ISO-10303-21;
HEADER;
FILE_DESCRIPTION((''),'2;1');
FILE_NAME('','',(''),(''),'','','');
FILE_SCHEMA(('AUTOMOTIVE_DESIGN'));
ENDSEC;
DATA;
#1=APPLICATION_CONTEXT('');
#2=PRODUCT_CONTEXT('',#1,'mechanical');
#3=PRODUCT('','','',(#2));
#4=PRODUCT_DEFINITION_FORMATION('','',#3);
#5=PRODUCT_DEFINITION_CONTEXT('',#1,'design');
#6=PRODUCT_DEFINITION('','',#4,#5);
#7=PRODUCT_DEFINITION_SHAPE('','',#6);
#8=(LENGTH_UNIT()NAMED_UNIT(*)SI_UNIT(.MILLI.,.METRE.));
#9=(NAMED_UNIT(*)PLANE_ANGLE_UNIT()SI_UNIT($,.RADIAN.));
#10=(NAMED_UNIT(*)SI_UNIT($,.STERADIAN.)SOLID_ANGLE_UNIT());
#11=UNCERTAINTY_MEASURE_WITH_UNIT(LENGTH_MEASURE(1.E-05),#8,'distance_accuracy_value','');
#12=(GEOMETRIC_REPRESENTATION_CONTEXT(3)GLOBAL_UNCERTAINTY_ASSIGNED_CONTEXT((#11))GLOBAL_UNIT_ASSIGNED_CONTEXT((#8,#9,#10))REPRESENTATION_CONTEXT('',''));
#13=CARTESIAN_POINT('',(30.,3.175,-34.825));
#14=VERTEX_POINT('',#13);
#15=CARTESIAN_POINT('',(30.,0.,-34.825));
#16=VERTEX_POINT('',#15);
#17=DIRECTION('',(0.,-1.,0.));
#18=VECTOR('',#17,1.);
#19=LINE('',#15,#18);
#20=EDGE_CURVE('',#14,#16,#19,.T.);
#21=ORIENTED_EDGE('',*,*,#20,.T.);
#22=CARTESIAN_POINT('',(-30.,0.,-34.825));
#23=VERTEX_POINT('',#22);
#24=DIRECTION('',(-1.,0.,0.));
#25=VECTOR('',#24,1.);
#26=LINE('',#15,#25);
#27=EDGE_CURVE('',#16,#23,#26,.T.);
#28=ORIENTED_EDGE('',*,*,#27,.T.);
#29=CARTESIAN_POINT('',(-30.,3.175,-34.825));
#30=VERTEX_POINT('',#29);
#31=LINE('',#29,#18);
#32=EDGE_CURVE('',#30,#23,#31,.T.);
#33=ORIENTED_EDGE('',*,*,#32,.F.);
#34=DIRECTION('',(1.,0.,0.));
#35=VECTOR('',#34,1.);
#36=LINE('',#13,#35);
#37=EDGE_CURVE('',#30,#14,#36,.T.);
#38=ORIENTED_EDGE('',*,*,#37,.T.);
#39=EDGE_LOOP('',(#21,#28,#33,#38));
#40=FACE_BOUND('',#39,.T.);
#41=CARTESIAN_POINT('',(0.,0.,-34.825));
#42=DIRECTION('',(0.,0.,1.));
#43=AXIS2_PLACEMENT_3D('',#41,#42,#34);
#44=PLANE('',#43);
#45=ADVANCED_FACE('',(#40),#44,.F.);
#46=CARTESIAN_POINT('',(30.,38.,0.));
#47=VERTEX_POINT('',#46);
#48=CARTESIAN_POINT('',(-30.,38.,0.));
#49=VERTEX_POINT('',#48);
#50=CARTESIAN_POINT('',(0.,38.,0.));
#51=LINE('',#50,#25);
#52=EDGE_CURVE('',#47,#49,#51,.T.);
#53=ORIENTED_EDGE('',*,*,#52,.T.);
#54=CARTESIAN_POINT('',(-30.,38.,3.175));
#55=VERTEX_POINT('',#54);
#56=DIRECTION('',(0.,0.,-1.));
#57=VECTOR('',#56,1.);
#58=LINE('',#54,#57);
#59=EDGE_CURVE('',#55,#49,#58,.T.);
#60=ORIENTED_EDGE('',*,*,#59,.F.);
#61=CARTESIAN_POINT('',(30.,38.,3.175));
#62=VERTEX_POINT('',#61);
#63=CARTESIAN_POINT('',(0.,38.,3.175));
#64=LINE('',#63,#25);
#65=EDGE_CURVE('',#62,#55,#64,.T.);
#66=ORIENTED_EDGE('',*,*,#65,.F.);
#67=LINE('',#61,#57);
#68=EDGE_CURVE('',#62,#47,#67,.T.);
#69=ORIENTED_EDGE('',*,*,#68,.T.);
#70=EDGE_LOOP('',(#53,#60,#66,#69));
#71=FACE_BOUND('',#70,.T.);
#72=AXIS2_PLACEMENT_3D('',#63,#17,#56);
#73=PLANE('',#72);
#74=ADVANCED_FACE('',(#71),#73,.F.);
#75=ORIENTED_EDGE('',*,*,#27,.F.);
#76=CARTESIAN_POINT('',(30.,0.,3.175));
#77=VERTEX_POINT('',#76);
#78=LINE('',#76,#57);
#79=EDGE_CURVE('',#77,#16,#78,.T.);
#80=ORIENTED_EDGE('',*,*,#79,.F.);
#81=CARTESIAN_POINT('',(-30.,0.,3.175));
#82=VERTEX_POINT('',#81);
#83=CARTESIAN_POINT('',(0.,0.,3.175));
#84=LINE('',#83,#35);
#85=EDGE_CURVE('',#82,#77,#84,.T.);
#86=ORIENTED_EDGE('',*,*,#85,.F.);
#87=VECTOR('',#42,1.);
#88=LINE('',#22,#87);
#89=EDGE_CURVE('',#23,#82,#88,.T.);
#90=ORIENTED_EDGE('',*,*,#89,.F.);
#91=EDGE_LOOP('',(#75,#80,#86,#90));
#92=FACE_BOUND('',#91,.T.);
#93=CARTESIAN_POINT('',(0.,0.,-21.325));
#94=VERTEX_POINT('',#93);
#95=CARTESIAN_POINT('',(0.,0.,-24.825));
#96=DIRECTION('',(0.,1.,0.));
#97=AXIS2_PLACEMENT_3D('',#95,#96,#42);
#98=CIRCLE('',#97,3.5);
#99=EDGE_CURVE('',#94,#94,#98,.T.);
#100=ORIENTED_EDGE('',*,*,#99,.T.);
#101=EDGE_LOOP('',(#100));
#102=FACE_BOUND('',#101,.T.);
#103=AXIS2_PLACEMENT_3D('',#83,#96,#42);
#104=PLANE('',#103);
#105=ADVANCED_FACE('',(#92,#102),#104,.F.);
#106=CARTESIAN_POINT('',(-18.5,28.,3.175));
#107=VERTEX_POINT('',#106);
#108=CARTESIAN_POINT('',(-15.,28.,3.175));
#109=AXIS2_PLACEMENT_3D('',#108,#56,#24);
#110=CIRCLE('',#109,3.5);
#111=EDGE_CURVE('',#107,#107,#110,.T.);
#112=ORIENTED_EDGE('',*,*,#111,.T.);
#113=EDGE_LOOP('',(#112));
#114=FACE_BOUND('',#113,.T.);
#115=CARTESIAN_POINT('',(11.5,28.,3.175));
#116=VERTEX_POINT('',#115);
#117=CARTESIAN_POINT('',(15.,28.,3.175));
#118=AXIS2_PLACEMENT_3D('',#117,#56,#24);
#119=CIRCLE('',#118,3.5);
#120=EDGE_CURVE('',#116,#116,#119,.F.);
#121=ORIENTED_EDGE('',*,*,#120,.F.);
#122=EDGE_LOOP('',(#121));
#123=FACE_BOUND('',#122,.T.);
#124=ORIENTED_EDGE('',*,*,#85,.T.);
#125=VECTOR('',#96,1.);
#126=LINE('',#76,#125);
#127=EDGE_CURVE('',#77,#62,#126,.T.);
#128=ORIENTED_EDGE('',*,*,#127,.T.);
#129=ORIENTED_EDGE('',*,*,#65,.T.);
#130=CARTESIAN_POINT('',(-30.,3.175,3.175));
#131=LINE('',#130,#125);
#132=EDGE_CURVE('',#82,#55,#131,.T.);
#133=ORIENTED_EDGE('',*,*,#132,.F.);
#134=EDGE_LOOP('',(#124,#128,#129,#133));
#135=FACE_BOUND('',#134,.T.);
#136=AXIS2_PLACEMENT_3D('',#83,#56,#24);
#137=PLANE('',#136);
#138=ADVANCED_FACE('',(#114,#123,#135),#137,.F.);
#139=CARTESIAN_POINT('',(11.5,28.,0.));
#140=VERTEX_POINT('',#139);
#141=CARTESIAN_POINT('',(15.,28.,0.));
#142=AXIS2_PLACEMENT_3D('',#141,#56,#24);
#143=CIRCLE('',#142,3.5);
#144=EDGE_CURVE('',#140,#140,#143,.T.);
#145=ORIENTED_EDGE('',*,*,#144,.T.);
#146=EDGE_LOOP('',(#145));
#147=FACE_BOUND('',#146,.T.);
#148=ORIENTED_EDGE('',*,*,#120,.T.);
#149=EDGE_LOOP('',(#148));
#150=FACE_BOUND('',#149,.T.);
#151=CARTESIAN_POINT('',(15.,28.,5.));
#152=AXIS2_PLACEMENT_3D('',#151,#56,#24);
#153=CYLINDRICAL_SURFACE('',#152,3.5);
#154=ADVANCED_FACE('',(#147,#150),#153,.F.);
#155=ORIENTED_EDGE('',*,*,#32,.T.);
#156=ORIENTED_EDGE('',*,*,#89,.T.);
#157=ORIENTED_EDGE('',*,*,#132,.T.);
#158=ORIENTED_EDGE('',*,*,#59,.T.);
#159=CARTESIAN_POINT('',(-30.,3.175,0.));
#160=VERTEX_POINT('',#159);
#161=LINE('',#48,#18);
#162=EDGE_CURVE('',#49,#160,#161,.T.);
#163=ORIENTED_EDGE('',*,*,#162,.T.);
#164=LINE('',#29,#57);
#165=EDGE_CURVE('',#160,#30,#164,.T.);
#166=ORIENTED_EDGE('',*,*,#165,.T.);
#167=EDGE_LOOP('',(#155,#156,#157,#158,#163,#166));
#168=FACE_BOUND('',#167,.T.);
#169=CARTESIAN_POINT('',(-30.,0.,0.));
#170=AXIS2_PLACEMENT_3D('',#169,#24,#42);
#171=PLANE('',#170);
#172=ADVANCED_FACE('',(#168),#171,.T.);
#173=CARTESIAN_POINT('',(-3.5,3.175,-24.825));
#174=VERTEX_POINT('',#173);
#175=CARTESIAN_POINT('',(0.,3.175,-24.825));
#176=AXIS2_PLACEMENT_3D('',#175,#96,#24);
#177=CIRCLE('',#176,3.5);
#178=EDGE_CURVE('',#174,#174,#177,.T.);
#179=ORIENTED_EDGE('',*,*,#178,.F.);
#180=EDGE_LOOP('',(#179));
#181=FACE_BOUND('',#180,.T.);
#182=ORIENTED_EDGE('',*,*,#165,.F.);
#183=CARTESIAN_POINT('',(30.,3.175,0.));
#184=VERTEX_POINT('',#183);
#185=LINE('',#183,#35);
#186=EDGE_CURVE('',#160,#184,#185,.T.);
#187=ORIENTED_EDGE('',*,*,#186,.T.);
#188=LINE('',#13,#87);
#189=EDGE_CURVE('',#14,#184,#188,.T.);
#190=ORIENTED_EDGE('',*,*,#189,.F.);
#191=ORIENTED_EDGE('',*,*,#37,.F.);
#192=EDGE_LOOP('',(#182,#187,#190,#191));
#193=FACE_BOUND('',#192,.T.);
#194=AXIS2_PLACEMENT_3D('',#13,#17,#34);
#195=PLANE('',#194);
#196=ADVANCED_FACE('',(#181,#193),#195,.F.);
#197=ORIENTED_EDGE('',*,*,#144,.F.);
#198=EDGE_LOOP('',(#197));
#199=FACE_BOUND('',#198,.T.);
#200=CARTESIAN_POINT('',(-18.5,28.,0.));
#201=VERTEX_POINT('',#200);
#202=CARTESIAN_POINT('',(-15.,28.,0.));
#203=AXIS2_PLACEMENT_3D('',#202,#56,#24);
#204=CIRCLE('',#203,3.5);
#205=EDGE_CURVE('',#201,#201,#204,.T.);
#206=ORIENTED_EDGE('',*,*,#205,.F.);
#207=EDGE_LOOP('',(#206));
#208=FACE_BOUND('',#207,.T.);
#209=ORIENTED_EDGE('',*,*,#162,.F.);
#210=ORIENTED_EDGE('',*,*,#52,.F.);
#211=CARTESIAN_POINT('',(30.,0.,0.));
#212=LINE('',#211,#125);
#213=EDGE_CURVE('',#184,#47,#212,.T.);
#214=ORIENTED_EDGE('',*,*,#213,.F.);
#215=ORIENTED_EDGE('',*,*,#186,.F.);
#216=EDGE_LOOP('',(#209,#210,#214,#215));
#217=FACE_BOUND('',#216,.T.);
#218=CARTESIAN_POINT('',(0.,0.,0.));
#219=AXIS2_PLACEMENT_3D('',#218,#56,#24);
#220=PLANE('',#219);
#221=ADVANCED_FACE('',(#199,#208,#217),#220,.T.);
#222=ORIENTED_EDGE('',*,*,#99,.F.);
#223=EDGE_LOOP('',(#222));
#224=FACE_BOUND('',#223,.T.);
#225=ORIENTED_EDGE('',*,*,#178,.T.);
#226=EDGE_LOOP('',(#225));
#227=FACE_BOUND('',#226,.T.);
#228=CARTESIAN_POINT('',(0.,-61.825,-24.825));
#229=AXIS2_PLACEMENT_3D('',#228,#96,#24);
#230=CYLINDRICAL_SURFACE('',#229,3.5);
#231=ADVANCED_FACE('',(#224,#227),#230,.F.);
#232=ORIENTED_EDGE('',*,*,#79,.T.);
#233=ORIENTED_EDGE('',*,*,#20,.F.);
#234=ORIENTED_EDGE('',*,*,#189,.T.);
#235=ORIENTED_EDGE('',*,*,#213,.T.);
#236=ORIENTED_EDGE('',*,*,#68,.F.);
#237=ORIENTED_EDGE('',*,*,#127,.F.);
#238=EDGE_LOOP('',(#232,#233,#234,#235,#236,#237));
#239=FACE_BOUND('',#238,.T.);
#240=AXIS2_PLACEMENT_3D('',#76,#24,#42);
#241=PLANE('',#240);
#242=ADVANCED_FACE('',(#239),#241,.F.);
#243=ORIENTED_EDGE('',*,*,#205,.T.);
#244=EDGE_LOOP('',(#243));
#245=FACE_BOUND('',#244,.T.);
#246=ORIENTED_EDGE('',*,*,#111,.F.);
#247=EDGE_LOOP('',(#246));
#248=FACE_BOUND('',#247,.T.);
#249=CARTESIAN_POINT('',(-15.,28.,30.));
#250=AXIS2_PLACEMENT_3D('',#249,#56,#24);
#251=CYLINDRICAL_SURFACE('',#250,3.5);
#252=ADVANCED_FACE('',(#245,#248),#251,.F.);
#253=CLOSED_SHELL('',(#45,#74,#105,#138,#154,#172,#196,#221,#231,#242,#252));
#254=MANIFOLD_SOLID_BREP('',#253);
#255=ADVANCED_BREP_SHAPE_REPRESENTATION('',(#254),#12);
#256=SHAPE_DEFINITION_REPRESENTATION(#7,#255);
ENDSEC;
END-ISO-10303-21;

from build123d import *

# Parameters (mm, degrees)
SKETCH1_W               = 30
SKETCH1_H               = 38
BOSS_EXTRUDE1_DEPTH     = 3.175
SKETCH2_W               = 30
SKETCH2_H               = 3.175
BOSS_EXTRUDE2_DEPTH     = 34.825
SKETCH3_R               = 4
CUT_EXTRUDE1_DEPTH      = 60.638751035
SKETCH4_R               = 4
CUT_EXTRUDE2_DEPTH      = 58.667679423
CROQUIS4_R              = 4
CROQUIS4_R_2            = 3.5
SALIENTE_EXTRUIR2_DEPTH = 5
CROQUIS5_W              = 3.979032683
CROQUIS5_H              = 10.100326852
CORTAR_EXTRUIR1_DEPTH   = 36
CROQUIS6_W              = 38
CROQUIS6_H              = 3.175
SALIENTE_EXTRUIR3_DEPTH = 30
CROQUIS7_W              = 3.175
CROQUIS7_H              = 34.825
SALIENTE_EXTRUIR4_DEPTH = 30
CROQUIS8_R              = 3.5
CORTAR_EXTRUIR2_DEPTH   = 30
CROQUIS9_W              = 28.045440503
CROQUIS9_H              = 19.668665091
SALIENTE_EXTRUIR5_DEPTH = 9
CROQUIS10_W             = 26.699428358
CROQUIS10_H             = 12.946692093
CORTAR_EXTRUIR3_DEPTH   = 65
CROQUIS11_R             = 3.5
CORTAR_EXTRUIR4_DEPTH   = 65


with BuildPart() as part:
    # Sketch1 → Boss-Extrude1 (new body)
    with BuildSketch(Plane.XY):
        with Locations((15, 19)):
            Rectangle(SKETCH1_W, SKETCH1_H)
    extrude(amount=BOSS_EXTRUDE1_DEPTH)

    # Sketch2 → Boss-Extrude2 (add)
    with BuildSketch(Plane(origin=(0, 0, 0), x_dir=(-1, 0, 0), z_dir=(0, 0, -1))):
        with Locations((-15, 1.5875)):
            Rectangle(SKETCH2_W, SKETCH2_H)
    extrude(amount=BOSS_EXTRUDE2_DEPTH)

    # Sketch3 → Cut-Extrude1 (cut, through all)
    with BuildSketch(Plane(origin=(0, 0, 0), x_dir=(-1, 0, 0), z_dir=(0, 0, -1))):
        with Locations((-15, 28)):
            Circle(SKETCH3_R)
    extrude(amount=-CUT_EXTRUDE1_DEPTH, mode=Mode.SUBTRACT)

    # Sketch4 → Cut-Extrude2 (cut, through all)
    with BuildSketch(Plane(origin=(0, 3.175, 0), x_dir=(1, 0, 0), z_dir=(0, 1, 0))):
        with Locations(Location((15, 24.825, 0), (0, 0, 180))):
            Circle(SKETCH4_R)
    extrude(amount=-CUT_EXTRUDE2_DEPTH, mode=Mode.SUBTRACT)

    # Croquis4 → Saliente-Extruir2 (add)
    with BuildSketch(Plane(origin=(0, 0, 0), x_dir=(-1, 0, 0), z_dir=(0, 0, -1))):
        with Locations((-15, 28)):
            Circle(CROQUIS4_R)
        with Locations((-15, 28)):
            Circle(CROQUIS4_R_2, mode=Mode.SUBTRACT)
    extrude(amount=-SALIENTE_EXTRUIR2_DEPTH)

    # Croquis5 → Cortar-Extruir1 (cut)
    with BuildSketch(Plane.ZY):
        with Locations((5.164516342, 27.585777405)):
            Rectangle(CROQUIS5_W, CROQUIS5_H)
    extrude(amount=-CORTAR_EXTRUIR1_DEPTH, mode=Mode.SUBTRACT)

    # Croquis6 → Saliente-Extruir3 (add)
    with BuildSketch(Plane.ZY):
        with Locations((-15.825, 1.5875)):
            Rectangle(CROQUIS6_W, CROQUIS6_H)
    extrude(amount=SALIENTE_EXTRUIR3_DEPTH)

    # Croquis7 → Saliente-Extruir4 (add)
    with BuildSketch(Plane.ZY):
        with Locations((1.5875, 20.5875)):
            Rectangle(CROQUIS7_W, CROQUIS7_H)
    extrude(amount=SALIENTE_EXTRUIR4_DEPTH)

    # Croquis8 → Cortar-Extruir2 (cut)
    with BuildSketch(Plane(origin=(0, 0, 0), x_dir=(-1, 0, 0), z_dir=(0, 0, -1))):
        with Locations((15, 28)):
            Circle(CROQUIS8_R)
    extrude(amount=-CORTAR_EXTRUIR2_DEPTH, mode=Mode.SUBTRACT)

    # Croquis9 → Saliente-Extruir5 (add)
    with BuildSketch(Plane(origin=(0, 3.175, 0), x_dir=(1, 0, 0), z_dir=(0, 1, 0))):
        with Locations((15.977279749, 24.990667455)):
            Rectangle(CROQUIS9_W, CROQUIS9_H)
    extrude(amount=-SALIENTE_EXTRUIR5_DEPTH)

    # Croquis10 → Cortar-Extruir3 (cut)
    with BuildSketch(Plane.ZY.offset(30)):
        with Locations((-21.475285821, -6.473346047)):
            Rectangle(CROQUIS10_W, CROQUIS10_H)
    extrude(amount=-CORTAR_EXTRUIR3_DEPTH, mode=Mode.SUBTRACT)

    # Croquis11 → Cortar-Extruir4 (cut)
    with BuildSketch(Plane(origin=(0, 3.175, 0), x_dir=(1, 0, 0), z_dir=(0, 1, 0))):
        with Locations(Location((0, 24.825, 0), (0, 0, 180))):
            Circle(CROQUIS11_R)
    extrude(amount=-CORTAR_EXTRUIR4_DEPTH, mode=Mode.SUBTRACT)


solid = part.part
